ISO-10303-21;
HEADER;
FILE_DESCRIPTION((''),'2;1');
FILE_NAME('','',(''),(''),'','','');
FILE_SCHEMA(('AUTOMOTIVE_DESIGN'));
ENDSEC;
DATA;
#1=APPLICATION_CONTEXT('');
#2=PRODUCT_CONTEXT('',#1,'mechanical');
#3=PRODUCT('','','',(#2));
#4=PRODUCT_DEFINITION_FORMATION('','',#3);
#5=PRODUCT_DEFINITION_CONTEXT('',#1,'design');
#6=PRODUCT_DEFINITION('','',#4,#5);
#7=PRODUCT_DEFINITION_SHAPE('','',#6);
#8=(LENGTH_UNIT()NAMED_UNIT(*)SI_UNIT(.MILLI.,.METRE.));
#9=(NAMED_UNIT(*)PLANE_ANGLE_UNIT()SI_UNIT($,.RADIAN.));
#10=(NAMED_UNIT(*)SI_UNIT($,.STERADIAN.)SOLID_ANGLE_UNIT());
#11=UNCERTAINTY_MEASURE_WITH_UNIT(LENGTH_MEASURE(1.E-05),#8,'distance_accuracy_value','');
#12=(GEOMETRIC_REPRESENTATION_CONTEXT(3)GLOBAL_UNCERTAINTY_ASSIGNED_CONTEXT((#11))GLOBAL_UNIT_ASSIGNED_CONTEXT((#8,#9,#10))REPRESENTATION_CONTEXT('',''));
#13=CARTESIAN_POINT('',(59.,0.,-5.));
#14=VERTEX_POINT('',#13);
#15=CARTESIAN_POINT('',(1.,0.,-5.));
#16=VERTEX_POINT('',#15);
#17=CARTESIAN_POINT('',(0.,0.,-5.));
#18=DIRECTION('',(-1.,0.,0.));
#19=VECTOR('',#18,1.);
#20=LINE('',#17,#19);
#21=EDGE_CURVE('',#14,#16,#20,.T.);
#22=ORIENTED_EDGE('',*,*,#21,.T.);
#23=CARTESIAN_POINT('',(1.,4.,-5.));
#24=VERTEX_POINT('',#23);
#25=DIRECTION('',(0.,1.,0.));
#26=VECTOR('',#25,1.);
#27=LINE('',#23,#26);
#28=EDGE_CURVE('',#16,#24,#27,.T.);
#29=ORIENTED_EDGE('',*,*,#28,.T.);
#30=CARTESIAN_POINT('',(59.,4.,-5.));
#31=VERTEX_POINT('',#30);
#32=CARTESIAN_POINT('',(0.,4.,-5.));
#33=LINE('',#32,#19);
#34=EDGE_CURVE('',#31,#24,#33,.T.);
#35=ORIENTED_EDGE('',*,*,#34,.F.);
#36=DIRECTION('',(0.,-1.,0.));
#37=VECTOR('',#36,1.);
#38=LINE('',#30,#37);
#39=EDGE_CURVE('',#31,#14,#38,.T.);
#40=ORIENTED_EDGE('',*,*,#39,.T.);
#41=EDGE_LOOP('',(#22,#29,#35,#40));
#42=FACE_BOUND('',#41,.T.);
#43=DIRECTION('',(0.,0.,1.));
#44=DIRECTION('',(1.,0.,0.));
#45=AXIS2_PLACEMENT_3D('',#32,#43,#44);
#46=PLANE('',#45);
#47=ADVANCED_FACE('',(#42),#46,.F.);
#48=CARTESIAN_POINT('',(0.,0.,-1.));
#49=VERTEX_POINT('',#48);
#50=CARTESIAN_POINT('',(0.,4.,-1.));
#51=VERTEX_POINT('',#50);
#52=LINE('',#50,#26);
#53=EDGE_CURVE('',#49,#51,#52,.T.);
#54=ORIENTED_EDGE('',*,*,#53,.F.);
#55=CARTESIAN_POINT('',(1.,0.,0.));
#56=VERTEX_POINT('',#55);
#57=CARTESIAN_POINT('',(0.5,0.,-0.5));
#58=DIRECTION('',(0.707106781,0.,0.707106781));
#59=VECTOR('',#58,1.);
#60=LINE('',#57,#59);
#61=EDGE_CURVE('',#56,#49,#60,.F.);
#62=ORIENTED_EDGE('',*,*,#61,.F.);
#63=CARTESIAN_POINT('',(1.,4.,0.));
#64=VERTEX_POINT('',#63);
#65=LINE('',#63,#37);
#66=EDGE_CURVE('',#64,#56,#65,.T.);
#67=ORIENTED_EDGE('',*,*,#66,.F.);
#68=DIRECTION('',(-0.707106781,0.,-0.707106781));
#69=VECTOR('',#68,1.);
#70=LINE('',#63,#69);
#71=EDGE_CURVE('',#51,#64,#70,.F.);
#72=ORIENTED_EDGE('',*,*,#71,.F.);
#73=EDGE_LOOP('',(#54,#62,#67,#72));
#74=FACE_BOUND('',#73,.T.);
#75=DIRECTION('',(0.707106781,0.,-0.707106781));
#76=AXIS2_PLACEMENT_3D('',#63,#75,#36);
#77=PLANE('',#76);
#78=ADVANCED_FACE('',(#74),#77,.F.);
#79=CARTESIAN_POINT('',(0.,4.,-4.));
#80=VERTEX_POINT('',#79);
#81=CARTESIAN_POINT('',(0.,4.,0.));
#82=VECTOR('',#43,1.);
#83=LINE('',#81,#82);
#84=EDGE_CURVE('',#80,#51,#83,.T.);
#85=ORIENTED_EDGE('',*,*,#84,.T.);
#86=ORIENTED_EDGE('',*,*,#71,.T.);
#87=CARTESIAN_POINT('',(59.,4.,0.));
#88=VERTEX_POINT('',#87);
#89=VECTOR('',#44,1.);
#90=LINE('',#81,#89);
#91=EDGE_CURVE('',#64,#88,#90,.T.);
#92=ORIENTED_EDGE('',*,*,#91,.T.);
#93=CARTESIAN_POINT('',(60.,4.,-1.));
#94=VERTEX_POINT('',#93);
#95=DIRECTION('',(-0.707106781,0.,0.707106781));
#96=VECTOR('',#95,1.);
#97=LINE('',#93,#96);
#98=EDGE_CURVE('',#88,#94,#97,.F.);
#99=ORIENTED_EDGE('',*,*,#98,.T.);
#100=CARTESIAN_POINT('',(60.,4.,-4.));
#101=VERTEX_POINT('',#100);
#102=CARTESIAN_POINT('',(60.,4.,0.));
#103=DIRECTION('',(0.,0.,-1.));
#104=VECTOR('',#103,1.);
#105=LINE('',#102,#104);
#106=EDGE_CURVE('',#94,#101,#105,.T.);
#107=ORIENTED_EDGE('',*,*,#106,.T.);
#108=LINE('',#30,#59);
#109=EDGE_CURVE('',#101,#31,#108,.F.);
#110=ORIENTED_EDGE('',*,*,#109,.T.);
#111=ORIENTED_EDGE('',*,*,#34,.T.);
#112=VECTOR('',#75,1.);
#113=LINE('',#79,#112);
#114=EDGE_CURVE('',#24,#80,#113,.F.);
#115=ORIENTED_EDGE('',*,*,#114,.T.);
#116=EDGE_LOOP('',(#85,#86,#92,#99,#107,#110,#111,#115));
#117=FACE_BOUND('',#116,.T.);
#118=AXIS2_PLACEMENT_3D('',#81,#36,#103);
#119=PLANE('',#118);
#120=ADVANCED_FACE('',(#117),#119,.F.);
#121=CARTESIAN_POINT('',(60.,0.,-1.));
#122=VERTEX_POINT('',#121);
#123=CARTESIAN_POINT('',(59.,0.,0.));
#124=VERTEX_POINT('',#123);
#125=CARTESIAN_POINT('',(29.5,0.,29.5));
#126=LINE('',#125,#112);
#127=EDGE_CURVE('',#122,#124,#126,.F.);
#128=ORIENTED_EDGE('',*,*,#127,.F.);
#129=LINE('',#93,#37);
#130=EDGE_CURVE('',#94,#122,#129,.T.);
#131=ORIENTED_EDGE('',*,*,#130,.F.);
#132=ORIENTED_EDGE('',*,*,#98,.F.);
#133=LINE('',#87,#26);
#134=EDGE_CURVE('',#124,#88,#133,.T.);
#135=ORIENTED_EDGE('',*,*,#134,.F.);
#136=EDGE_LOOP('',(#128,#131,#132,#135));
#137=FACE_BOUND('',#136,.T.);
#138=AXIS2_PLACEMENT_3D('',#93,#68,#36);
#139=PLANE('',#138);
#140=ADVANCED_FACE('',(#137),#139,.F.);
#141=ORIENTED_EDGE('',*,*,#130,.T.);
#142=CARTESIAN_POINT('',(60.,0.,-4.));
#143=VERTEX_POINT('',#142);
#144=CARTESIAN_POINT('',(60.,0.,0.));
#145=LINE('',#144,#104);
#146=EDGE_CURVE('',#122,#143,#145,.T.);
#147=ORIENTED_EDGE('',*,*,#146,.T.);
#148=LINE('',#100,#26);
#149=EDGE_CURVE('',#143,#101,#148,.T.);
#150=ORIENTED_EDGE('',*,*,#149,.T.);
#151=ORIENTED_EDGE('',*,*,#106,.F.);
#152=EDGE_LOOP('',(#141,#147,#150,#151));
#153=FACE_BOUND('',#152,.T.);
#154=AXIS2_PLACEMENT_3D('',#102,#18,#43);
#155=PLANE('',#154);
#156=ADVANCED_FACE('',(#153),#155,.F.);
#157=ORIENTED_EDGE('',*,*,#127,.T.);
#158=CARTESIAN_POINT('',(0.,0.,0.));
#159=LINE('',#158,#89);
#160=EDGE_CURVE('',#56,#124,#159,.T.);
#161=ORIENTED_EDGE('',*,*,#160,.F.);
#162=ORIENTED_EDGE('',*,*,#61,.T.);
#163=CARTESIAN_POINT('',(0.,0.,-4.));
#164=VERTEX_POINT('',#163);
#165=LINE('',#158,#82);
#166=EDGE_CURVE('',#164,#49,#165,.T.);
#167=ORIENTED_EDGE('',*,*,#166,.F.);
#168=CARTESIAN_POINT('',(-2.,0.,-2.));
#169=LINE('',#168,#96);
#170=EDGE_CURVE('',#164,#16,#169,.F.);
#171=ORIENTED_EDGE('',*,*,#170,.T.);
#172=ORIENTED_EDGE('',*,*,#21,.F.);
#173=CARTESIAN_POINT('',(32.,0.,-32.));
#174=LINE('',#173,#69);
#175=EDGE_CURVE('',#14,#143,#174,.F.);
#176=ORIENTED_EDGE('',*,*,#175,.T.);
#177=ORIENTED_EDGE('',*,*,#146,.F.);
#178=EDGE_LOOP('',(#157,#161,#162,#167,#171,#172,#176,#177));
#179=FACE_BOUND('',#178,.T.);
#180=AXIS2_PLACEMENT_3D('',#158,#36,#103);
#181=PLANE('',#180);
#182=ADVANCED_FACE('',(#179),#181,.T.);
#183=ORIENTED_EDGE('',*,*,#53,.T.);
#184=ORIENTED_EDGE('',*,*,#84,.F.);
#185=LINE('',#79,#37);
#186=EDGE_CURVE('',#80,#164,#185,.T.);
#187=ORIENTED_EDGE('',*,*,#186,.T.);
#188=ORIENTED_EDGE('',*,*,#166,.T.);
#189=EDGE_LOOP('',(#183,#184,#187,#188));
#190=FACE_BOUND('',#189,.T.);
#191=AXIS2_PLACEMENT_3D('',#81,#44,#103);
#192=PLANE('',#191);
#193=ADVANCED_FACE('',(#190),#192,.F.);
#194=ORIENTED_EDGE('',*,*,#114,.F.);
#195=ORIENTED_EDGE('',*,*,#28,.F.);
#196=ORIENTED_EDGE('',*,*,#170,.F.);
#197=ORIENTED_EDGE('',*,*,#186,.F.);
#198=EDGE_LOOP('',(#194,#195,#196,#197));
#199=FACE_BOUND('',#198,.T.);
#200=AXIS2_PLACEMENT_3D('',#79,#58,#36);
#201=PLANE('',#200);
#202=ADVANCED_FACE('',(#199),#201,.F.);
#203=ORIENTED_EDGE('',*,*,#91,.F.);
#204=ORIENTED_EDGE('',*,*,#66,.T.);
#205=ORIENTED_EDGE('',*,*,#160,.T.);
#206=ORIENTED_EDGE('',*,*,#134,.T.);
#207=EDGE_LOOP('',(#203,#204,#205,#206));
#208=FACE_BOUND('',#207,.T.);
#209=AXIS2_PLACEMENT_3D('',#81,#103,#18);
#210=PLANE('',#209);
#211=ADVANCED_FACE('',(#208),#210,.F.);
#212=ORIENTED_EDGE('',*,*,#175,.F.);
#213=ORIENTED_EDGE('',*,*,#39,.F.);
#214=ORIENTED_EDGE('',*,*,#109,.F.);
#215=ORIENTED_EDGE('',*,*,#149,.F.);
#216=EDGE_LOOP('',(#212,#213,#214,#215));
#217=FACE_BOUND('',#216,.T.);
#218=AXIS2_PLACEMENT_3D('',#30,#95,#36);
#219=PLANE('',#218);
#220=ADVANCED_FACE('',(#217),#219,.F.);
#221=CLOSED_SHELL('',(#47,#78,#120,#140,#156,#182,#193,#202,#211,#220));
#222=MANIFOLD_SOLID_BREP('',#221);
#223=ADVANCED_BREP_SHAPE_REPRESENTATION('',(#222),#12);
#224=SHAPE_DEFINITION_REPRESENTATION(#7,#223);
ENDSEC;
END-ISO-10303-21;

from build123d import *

# Parameters (mm, degrees)
SKETCH1_W           = 60
SKETCH1_H           = 5
BOSS_EXTRUDE1_DEPTH = 4
CHAMFER1_SIZE       = 1


with BuildPart() as part:
    # Sketch1 → Boss-Extrude1 (new body)
    with BuildSketch(Plane(origin=(0, 0, 0), x_dir=(1, 0, 0), z_dir=(0, 1, 0))):
        with Locations((30, 2.5)):
            Rectangle(SKETCH1_W, SKETCH1_H)
    extrude(amount=BOSS_EXTRUDE1_DEPTH)

    # Chamfer1
    chamfer1_edges = [part.edges().sort_by_distance(p)[0] for p in [
        (0, 2, -5),
        (60, 2, -5),
        (60, 2, 0),
        (0, 2, 0),
    ]]
    chamfer(chamfer1_edges, length=CHAMFER1_SIZE)


solid = part.part
